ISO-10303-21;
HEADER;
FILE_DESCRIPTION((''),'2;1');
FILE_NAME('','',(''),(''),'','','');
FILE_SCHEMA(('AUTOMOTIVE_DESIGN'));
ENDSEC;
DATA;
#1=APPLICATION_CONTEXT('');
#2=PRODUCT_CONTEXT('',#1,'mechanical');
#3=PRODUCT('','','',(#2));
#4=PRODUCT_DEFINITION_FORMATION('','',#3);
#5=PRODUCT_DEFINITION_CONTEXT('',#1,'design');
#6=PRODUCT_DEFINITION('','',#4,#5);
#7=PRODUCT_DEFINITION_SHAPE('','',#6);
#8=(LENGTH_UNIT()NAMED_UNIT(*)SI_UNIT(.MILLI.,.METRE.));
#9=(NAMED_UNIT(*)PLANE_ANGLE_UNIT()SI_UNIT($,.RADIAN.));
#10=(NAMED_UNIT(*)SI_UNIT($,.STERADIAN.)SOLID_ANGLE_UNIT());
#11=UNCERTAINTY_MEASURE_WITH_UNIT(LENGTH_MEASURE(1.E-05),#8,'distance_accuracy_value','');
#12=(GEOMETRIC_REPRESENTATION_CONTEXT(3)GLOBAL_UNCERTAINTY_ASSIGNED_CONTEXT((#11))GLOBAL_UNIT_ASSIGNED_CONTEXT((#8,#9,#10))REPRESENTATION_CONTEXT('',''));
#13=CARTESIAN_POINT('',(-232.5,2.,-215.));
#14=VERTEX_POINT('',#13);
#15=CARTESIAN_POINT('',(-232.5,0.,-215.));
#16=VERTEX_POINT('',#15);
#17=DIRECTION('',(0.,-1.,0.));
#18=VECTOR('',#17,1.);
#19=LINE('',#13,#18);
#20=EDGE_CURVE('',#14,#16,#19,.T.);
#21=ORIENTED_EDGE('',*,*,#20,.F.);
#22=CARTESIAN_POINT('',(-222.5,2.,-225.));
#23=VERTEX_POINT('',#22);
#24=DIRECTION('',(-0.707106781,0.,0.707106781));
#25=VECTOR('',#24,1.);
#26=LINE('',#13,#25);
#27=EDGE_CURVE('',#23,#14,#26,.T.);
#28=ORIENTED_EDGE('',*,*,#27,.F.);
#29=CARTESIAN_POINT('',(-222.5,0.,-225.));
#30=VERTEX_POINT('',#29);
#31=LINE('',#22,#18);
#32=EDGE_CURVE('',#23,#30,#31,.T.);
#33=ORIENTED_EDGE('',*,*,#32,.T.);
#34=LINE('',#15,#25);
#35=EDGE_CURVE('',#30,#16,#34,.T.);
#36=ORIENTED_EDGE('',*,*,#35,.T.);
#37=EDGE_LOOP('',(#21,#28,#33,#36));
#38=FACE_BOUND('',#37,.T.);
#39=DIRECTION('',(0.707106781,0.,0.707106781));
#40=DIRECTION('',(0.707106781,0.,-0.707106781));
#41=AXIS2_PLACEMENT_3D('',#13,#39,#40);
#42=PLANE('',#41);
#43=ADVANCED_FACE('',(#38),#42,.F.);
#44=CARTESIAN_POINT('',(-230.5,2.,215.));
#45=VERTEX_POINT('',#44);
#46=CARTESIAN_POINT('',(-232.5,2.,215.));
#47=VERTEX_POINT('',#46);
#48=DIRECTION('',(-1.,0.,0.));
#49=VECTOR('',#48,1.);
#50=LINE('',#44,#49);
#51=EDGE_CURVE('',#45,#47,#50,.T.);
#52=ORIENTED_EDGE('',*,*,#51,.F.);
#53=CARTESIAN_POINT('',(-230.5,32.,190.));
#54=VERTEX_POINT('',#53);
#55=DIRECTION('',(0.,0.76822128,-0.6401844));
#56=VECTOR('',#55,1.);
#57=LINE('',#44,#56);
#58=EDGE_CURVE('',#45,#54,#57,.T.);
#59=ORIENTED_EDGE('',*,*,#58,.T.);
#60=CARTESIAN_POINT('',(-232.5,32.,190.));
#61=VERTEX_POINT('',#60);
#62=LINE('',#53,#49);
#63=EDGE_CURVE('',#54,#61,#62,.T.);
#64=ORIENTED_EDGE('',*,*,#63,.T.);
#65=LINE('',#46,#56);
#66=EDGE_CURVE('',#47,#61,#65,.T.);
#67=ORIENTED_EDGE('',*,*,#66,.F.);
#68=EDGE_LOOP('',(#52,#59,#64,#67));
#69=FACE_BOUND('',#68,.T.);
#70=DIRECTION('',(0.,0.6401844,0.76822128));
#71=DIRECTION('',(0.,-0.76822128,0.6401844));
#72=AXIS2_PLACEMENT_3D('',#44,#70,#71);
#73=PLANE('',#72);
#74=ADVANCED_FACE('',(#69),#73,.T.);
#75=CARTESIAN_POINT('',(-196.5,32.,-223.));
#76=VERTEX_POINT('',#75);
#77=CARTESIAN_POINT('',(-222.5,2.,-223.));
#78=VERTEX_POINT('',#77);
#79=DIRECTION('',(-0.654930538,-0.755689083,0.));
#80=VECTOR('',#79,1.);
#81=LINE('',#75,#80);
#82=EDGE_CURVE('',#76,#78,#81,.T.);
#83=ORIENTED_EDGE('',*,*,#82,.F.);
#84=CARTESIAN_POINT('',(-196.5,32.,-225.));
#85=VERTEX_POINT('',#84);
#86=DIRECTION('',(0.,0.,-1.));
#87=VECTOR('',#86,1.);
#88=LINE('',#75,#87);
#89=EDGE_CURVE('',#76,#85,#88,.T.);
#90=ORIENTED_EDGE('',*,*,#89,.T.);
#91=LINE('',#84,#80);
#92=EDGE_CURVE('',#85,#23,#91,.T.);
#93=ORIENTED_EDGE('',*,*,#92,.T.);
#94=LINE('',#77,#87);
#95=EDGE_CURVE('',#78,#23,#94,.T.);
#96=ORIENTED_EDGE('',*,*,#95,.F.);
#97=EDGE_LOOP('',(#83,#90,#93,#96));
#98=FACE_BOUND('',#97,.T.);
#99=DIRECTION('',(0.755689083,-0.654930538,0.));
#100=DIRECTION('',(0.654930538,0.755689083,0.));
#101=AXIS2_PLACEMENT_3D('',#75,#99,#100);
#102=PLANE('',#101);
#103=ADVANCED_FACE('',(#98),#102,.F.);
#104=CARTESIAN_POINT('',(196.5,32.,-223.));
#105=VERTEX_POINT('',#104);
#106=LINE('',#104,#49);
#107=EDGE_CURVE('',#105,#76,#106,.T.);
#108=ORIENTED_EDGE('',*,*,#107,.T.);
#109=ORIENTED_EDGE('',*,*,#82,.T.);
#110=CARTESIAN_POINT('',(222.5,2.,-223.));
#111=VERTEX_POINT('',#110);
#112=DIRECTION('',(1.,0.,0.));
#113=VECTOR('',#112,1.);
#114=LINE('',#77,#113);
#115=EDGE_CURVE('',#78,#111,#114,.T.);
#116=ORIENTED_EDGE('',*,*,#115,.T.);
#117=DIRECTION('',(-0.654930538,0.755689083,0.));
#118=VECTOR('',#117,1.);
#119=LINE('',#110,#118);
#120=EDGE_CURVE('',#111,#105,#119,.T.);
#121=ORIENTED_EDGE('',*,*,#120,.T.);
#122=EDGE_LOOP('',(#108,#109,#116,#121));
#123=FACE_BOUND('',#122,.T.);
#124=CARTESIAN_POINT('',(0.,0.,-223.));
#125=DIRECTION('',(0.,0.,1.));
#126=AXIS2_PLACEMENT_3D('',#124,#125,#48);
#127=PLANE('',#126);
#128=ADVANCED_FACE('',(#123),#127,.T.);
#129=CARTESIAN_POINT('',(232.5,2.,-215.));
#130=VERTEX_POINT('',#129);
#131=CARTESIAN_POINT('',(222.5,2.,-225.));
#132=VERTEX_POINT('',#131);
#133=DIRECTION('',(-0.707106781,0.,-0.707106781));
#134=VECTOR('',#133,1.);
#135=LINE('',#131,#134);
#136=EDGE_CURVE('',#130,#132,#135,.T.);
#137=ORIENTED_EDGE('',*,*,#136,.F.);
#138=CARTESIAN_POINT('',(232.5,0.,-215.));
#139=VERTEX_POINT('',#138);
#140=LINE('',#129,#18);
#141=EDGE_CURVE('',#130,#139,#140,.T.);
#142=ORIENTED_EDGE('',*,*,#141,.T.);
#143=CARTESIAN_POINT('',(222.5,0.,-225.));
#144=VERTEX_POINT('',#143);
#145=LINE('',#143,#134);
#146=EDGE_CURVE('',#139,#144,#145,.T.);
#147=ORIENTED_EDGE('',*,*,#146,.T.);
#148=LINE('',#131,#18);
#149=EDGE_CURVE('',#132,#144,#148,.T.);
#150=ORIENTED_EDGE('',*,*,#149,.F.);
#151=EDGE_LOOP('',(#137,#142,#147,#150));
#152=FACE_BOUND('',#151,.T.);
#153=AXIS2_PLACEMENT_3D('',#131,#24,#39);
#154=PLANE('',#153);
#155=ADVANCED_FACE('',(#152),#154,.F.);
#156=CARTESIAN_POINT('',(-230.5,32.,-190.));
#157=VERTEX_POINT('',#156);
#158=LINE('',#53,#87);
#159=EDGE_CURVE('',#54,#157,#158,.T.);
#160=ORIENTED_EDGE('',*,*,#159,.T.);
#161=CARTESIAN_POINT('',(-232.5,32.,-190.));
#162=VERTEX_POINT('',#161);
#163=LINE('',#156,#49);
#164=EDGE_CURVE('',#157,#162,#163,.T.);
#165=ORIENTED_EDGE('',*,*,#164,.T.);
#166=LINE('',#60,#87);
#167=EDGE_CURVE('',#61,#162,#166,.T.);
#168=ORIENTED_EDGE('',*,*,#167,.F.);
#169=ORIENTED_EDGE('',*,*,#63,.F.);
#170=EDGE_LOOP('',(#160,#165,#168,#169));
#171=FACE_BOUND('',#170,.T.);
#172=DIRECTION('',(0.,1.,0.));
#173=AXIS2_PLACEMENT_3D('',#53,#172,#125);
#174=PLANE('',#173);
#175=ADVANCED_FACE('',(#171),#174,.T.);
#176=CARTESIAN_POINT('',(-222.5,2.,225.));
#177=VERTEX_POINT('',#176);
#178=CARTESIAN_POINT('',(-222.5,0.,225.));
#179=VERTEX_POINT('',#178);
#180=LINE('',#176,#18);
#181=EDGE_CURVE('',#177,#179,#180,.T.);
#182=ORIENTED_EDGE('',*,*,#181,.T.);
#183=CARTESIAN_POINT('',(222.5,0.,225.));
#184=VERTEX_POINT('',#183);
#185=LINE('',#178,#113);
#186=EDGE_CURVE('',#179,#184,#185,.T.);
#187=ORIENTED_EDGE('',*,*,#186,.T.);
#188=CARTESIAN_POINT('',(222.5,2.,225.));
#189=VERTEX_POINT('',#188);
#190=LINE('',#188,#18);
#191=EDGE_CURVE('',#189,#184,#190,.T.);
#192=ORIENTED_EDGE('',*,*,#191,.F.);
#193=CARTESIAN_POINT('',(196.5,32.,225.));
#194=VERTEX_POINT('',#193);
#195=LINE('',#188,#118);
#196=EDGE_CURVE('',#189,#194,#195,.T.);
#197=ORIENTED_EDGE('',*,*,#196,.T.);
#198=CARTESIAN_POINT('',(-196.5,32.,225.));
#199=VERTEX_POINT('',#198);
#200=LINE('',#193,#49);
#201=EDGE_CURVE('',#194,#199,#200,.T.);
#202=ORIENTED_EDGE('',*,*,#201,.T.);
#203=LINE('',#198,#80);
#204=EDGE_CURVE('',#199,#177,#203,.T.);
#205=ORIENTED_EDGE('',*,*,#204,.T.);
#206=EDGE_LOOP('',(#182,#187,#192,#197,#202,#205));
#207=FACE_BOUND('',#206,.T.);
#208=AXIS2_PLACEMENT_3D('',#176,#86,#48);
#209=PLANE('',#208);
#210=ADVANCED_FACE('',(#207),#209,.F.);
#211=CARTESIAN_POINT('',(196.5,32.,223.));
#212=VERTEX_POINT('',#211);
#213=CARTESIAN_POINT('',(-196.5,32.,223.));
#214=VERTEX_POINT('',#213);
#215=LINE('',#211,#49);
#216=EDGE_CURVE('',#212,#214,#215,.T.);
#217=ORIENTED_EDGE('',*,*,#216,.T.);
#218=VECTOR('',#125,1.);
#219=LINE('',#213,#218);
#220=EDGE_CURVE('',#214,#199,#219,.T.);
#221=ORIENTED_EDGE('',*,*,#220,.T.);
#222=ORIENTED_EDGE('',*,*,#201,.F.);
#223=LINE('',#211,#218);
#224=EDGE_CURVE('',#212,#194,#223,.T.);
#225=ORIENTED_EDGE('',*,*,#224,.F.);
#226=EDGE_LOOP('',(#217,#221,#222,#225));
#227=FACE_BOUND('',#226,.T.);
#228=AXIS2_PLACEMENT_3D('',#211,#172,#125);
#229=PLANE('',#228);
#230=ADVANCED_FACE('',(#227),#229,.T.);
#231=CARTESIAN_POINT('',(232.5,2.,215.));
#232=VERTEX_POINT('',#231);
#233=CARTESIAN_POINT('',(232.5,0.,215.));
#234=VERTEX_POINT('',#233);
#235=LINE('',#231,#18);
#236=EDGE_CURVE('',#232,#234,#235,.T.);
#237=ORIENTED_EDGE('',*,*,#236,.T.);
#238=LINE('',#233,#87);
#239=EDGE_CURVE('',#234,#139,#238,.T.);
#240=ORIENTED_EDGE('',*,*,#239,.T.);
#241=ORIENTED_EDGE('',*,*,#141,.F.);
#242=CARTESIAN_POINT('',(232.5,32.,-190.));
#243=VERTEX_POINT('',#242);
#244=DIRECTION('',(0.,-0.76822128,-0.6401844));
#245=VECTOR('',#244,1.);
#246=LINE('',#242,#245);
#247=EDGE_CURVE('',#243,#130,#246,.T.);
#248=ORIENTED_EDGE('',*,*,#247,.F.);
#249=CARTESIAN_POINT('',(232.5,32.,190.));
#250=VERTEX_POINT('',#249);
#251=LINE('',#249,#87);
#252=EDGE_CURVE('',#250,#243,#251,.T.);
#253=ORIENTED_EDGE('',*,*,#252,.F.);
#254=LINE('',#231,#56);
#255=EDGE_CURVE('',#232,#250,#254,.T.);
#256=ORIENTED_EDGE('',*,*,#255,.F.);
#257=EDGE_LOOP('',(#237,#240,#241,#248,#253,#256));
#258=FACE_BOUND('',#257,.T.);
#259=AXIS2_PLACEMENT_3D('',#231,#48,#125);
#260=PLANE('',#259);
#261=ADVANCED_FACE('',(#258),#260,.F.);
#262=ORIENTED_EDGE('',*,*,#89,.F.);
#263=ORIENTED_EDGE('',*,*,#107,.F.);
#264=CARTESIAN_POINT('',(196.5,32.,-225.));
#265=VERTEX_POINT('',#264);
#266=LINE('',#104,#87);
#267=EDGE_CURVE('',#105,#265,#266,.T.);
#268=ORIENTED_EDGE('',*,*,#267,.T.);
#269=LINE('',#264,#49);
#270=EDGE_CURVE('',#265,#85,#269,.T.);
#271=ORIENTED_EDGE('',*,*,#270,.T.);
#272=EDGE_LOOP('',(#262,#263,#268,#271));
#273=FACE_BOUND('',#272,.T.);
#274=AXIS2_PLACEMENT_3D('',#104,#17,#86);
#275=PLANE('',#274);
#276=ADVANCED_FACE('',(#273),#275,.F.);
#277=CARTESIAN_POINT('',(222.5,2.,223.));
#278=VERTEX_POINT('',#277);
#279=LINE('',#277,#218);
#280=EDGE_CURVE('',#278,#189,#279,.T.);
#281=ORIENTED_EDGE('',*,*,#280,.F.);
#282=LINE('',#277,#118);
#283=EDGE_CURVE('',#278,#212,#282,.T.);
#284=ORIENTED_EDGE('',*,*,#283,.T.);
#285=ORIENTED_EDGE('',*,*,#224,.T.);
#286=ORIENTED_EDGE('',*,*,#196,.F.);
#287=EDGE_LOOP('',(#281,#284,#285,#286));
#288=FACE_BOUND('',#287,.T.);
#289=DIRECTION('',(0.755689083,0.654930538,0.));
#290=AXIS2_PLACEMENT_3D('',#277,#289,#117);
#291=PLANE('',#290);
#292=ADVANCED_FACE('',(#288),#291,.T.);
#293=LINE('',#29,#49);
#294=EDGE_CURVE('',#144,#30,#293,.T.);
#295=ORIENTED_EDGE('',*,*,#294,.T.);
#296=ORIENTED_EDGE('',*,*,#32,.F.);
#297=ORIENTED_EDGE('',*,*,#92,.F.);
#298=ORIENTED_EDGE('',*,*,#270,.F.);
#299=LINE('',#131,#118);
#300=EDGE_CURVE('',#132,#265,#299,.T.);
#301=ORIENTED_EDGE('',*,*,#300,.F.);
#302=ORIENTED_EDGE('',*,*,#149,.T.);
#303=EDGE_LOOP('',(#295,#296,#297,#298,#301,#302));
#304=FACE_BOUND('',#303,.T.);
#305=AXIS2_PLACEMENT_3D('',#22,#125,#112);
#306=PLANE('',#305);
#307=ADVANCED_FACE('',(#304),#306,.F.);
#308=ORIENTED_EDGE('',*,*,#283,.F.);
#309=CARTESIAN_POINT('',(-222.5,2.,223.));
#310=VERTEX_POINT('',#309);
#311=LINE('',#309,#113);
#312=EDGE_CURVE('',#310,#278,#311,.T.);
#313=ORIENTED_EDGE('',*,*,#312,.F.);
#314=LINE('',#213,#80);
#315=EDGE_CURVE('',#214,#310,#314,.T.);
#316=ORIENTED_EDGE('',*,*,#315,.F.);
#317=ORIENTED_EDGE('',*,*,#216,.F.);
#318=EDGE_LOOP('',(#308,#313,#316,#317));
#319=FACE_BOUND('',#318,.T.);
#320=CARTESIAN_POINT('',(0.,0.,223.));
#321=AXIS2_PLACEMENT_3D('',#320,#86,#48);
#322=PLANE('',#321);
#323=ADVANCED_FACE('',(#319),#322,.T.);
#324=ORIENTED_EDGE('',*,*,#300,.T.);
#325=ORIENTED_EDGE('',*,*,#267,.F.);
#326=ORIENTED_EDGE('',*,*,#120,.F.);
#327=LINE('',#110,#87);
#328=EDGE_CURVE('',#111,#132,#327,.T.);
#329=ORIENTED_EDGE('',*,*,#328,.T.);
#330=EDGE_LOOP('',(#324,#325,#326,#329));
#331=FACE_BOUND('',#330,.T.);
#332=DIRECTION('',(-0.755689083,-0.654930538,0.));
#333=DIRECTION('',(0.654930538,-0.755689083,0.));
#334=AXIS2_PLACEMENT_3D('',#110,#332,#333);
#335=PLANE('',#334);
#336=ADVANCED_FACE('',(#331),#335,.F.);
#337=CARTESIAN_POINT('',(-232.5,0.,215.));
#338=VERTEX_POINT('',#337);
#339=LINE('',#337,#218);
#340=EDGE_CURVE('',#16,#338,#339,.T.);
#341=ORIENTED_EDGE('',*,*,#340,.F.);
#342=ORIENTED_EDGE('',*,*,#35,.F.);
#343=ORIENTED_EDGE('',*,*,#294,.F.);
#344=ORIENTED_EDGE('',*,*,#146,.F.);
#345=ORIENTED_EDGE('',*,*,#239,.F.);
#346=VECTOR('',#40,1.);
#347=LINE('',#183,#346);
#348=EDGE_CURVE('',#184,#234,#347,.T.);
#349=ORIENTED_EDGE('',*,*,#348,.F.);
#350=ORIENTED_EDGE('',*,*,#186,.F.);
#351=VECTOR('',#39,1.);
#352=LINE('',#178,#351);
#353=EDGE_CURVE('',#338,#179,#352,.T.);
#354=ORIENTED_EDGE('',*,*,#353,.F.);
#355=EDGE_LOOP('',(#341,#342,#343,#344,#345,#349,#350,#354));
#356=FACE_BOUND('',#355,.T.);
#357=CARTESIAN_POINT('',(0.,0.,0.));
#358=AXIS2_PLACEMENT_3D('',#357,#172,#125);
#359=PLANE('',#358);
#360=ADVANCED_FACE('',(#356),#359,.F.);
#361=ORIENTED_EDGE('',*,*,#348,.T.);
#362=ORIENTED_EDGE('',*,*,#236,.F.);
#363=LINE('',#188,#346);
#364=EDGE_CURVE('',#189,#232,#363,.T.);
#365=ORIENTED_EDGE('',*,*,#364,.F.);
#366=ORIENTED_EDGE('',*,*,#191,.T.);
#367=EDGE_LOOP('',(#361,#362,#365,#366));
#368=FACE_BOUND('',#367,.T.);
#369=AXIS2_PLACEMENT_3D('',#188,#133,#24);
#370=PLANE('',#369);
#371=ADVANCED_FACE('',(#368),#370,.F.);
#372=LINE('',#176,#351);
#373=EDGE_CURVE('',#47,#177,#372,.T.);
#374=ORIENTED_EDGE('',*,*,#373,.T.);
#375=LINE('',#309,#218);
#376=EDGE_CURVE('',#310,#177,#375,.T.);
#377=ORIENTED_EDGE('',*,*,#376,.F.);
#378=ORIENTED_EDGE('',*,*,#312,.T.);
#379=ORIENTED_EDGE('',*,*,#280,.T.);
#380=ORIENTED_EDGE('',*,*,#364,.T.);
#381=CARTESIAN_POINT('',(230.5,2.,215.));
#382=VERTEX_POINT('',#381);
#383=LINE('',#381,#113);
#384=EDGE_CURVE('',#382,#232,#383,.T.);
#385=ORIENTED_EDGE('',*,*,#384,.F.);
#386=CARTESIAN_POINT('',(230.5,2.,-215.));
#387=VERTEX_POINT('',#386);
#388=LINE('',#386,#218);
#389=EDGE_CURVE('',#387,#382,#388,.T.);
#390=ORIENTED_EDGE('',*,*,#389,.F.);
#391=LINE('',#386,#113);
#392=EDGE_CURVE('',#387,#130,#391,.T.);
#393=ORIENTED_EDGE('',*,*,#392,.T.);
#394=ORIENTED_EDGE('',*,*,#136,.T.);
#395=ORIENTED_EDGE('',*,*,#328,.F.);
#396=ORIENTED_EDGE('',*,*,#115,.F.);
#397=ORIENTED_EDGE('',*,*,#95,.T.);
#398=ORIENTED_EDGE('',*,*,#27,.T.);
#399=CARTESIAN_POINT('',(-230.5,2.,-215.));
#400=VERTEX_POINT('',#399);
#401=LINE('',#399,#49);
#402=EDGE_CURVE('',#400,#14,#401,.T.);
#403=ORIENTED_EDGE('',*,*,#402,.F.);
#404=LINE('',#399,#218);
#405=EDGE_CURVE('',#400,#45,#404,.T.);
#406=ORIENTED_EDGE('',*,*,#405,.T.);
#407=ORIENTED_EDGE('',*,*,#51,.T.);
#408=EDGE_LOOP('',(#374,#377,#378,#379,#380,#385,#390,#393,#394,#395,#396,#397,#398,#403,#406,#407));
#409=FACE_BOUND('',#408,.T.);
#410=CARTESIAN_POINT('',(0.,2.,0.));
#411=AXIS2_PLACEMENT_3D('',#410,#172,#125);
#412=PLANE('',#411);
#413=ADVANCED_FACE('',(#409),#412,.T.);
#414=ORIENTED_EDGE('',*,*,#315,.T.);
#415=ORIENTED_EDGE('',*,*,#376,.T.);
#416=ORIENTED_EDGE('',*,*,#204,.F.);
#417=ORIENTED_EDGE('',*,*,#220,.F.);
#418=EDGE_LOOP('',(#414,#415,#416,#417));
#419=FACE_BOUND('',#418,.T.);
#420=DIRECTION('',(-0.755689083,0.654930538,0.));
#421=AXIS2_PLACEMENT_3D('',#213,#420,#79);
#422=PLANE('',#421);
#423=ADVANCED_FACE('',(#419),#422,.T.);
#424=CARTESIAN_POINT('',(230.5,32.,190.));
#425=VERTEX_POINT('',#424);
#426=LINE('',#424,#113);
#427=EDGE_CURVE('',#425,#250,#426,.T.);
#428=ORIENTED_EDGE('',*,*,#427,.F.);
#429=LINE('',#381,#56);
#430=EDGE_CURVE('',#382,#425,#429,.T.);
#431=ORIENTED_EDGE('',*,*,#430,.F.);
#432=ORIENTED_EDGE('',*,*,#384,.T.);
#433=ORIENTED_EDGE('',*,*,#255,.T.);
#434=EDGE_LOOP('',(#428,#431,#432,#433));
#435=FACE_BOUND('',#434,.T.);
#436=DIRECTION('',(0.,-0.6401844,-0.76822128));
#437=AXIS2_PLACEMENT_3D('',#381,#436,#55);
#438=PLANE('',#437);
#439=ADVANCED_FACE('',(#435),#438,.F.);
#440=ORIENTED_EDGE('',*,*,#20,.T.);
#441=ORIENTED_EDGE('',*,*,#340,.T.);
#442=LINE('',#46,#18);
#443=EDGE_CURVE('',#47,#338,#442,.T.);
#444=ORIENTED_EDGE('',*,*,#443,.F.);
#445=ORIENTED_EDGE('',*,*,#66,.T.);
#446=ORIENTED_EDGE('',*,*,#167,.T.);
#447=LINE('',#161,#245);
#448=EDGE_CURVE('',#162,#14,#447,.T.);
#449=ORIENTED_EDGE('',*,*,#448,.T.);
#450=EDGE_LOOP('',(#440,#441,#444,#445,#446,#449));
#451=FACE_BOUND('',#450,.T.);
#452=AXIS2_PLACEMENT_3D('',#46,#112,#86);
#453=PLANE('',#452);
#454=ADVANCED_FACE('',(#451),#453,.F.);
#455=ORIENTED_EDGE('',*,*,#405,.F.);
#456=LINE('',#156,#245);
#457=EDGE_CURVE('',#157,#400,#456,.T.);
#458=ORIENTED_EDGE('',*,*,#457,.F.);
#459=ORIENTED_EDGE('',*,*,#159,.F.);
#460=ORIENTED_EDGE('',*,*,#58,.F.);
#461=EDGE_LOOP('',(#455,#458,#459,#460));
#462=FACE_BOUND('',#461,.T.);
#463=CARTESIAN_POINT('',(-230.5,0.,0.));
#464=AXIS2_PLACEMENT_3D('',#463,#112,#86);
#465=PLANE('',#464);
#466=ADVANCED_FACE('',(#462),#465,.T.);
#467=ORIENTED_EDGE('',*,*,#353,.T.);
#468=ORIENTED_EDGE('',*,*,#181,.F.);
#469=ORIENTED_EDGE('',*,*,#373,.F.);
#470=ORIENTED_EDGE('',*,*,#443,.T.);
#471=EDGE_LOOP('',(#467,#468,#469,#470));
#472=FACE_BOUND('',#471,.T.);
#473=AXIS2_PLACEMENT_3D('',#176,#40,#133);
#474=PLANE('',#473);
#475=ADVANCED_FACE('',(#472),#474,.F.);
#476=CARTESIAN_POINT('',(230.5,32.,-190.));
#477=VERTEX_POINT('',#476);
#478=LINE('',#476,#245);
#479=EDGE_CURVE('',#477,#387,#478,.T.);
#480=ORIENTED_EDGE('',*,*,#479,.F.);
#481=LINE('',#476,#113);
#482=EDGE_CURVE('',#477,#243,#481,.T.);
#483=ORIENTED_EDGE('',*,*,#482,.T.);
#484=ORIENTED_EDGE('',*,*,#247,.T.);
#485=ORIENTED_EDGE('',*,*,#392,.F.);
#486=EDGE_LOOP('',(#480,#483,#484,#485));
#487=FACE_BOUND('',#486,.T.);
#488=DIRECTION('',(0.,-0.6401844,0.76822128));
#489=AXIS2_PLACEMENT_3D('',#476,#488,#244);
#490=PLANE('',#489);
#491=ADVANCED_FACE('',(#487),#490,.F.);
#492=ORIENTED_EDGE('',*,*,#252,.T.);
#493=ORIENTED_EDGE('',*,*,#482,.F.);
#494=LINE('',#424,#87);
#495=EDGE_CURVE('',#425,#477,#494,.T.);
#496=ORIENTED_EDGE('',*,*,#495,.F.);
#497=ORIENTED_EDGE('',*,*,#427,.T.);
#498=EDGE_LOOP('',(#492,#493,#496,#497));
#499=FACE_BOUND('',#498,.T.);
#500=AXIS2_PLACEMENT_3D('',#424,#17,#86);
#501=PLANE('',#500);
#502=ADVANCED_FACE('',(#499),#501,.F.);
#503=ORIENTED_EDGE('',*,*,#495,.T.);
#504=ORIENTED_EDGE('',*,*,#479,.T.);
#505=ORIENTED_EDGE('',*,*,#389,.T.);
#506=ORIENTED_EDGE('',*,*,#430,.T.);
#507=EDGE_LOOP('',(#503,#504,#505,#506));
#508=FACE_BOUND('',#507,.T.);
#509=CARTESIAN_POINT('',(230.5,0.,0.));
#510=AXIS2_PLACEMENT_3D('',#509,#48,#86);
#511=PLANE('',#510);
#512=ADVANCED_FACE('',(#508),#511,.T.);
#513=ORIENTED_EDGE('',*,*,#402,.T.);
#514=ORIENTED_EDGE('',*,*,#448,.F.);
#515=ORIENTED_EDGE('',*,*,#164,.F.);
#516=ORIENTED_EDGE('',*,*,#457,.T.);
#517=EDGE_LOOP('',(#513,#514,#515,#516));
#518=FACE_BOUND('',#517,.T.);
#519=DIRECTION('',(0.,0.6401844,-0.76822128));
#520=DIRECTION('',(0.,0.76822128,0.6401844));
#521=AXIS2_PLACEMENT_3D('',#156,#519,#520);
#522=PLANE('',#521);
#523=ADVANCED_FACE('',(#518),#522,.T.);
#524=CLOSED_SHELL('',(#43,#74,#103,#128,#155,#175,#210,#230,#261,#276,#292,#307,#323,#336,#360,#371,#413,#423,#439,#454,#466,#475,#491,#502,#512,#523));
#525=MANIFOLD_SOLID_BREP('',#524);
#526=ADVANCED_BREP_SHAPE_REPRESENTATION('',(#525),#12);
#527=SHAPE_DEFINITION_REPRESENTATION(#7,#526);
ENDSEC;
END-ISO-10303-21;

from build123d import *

# Parameters (mm, degrees)
BOSS_EXTRUDE1_DEPTH = 2
BOSS_EXTRUDE2_DEPTH = 2
BOSS_EXTRUDE3_DEPTH = 2


with BuildPart() as part:
    # Sketch1 → Boss-Extrude1 (new body)
    with BuildSketch(Plane(origin=(0, 0, 0), x_dir=(1, 0, 0), z_dir=(0, 1, 0))):
        Polygon((-232.5, 215), (-222.5, 225), (222.5, 225), (232.5, 215), (232.5, -215), (222.5, -225), (-222.5, -225), (-232.5, -215), align=None)
    extrude(amount=BOSS_EXTRUDE1_DEPTH)

    # Sketch3 → Boss-Extrude2 (add)
    with BuildSketch(Plane.XY.offset(225)):
        Polygon((-222.5, 2), (222.5, 2), (196.5, 32), (-196.5, 32), align=None)
    boss_extrude2 = extrude(amount=-BOSS_EXTRUDE2_DEPTH)

    # Sketch4 → Boss-Extrude3 (add)
    with BuildSketch(Plane.ZY.offset(232.5)):
        Polygon((-215, 2), (215, 2), (190, 32), (-190, 32), align=None)
    boss_extrude3 = extrude(amount=-BOSS_EXTRUDE3_DEPTH)

    # Mirror2: Boss-Extrude3 across plane
    add(boss_extrude3.mirror(Plane(origin=(0, 0, 0), x_dir=(0, 0, 1), z_dir=(1, 0, 0))))

    # Mirror3: Boss-Extrude2 across plane
    add(boss_extrude2.mirror(Plane.XY))


solid = part.part
